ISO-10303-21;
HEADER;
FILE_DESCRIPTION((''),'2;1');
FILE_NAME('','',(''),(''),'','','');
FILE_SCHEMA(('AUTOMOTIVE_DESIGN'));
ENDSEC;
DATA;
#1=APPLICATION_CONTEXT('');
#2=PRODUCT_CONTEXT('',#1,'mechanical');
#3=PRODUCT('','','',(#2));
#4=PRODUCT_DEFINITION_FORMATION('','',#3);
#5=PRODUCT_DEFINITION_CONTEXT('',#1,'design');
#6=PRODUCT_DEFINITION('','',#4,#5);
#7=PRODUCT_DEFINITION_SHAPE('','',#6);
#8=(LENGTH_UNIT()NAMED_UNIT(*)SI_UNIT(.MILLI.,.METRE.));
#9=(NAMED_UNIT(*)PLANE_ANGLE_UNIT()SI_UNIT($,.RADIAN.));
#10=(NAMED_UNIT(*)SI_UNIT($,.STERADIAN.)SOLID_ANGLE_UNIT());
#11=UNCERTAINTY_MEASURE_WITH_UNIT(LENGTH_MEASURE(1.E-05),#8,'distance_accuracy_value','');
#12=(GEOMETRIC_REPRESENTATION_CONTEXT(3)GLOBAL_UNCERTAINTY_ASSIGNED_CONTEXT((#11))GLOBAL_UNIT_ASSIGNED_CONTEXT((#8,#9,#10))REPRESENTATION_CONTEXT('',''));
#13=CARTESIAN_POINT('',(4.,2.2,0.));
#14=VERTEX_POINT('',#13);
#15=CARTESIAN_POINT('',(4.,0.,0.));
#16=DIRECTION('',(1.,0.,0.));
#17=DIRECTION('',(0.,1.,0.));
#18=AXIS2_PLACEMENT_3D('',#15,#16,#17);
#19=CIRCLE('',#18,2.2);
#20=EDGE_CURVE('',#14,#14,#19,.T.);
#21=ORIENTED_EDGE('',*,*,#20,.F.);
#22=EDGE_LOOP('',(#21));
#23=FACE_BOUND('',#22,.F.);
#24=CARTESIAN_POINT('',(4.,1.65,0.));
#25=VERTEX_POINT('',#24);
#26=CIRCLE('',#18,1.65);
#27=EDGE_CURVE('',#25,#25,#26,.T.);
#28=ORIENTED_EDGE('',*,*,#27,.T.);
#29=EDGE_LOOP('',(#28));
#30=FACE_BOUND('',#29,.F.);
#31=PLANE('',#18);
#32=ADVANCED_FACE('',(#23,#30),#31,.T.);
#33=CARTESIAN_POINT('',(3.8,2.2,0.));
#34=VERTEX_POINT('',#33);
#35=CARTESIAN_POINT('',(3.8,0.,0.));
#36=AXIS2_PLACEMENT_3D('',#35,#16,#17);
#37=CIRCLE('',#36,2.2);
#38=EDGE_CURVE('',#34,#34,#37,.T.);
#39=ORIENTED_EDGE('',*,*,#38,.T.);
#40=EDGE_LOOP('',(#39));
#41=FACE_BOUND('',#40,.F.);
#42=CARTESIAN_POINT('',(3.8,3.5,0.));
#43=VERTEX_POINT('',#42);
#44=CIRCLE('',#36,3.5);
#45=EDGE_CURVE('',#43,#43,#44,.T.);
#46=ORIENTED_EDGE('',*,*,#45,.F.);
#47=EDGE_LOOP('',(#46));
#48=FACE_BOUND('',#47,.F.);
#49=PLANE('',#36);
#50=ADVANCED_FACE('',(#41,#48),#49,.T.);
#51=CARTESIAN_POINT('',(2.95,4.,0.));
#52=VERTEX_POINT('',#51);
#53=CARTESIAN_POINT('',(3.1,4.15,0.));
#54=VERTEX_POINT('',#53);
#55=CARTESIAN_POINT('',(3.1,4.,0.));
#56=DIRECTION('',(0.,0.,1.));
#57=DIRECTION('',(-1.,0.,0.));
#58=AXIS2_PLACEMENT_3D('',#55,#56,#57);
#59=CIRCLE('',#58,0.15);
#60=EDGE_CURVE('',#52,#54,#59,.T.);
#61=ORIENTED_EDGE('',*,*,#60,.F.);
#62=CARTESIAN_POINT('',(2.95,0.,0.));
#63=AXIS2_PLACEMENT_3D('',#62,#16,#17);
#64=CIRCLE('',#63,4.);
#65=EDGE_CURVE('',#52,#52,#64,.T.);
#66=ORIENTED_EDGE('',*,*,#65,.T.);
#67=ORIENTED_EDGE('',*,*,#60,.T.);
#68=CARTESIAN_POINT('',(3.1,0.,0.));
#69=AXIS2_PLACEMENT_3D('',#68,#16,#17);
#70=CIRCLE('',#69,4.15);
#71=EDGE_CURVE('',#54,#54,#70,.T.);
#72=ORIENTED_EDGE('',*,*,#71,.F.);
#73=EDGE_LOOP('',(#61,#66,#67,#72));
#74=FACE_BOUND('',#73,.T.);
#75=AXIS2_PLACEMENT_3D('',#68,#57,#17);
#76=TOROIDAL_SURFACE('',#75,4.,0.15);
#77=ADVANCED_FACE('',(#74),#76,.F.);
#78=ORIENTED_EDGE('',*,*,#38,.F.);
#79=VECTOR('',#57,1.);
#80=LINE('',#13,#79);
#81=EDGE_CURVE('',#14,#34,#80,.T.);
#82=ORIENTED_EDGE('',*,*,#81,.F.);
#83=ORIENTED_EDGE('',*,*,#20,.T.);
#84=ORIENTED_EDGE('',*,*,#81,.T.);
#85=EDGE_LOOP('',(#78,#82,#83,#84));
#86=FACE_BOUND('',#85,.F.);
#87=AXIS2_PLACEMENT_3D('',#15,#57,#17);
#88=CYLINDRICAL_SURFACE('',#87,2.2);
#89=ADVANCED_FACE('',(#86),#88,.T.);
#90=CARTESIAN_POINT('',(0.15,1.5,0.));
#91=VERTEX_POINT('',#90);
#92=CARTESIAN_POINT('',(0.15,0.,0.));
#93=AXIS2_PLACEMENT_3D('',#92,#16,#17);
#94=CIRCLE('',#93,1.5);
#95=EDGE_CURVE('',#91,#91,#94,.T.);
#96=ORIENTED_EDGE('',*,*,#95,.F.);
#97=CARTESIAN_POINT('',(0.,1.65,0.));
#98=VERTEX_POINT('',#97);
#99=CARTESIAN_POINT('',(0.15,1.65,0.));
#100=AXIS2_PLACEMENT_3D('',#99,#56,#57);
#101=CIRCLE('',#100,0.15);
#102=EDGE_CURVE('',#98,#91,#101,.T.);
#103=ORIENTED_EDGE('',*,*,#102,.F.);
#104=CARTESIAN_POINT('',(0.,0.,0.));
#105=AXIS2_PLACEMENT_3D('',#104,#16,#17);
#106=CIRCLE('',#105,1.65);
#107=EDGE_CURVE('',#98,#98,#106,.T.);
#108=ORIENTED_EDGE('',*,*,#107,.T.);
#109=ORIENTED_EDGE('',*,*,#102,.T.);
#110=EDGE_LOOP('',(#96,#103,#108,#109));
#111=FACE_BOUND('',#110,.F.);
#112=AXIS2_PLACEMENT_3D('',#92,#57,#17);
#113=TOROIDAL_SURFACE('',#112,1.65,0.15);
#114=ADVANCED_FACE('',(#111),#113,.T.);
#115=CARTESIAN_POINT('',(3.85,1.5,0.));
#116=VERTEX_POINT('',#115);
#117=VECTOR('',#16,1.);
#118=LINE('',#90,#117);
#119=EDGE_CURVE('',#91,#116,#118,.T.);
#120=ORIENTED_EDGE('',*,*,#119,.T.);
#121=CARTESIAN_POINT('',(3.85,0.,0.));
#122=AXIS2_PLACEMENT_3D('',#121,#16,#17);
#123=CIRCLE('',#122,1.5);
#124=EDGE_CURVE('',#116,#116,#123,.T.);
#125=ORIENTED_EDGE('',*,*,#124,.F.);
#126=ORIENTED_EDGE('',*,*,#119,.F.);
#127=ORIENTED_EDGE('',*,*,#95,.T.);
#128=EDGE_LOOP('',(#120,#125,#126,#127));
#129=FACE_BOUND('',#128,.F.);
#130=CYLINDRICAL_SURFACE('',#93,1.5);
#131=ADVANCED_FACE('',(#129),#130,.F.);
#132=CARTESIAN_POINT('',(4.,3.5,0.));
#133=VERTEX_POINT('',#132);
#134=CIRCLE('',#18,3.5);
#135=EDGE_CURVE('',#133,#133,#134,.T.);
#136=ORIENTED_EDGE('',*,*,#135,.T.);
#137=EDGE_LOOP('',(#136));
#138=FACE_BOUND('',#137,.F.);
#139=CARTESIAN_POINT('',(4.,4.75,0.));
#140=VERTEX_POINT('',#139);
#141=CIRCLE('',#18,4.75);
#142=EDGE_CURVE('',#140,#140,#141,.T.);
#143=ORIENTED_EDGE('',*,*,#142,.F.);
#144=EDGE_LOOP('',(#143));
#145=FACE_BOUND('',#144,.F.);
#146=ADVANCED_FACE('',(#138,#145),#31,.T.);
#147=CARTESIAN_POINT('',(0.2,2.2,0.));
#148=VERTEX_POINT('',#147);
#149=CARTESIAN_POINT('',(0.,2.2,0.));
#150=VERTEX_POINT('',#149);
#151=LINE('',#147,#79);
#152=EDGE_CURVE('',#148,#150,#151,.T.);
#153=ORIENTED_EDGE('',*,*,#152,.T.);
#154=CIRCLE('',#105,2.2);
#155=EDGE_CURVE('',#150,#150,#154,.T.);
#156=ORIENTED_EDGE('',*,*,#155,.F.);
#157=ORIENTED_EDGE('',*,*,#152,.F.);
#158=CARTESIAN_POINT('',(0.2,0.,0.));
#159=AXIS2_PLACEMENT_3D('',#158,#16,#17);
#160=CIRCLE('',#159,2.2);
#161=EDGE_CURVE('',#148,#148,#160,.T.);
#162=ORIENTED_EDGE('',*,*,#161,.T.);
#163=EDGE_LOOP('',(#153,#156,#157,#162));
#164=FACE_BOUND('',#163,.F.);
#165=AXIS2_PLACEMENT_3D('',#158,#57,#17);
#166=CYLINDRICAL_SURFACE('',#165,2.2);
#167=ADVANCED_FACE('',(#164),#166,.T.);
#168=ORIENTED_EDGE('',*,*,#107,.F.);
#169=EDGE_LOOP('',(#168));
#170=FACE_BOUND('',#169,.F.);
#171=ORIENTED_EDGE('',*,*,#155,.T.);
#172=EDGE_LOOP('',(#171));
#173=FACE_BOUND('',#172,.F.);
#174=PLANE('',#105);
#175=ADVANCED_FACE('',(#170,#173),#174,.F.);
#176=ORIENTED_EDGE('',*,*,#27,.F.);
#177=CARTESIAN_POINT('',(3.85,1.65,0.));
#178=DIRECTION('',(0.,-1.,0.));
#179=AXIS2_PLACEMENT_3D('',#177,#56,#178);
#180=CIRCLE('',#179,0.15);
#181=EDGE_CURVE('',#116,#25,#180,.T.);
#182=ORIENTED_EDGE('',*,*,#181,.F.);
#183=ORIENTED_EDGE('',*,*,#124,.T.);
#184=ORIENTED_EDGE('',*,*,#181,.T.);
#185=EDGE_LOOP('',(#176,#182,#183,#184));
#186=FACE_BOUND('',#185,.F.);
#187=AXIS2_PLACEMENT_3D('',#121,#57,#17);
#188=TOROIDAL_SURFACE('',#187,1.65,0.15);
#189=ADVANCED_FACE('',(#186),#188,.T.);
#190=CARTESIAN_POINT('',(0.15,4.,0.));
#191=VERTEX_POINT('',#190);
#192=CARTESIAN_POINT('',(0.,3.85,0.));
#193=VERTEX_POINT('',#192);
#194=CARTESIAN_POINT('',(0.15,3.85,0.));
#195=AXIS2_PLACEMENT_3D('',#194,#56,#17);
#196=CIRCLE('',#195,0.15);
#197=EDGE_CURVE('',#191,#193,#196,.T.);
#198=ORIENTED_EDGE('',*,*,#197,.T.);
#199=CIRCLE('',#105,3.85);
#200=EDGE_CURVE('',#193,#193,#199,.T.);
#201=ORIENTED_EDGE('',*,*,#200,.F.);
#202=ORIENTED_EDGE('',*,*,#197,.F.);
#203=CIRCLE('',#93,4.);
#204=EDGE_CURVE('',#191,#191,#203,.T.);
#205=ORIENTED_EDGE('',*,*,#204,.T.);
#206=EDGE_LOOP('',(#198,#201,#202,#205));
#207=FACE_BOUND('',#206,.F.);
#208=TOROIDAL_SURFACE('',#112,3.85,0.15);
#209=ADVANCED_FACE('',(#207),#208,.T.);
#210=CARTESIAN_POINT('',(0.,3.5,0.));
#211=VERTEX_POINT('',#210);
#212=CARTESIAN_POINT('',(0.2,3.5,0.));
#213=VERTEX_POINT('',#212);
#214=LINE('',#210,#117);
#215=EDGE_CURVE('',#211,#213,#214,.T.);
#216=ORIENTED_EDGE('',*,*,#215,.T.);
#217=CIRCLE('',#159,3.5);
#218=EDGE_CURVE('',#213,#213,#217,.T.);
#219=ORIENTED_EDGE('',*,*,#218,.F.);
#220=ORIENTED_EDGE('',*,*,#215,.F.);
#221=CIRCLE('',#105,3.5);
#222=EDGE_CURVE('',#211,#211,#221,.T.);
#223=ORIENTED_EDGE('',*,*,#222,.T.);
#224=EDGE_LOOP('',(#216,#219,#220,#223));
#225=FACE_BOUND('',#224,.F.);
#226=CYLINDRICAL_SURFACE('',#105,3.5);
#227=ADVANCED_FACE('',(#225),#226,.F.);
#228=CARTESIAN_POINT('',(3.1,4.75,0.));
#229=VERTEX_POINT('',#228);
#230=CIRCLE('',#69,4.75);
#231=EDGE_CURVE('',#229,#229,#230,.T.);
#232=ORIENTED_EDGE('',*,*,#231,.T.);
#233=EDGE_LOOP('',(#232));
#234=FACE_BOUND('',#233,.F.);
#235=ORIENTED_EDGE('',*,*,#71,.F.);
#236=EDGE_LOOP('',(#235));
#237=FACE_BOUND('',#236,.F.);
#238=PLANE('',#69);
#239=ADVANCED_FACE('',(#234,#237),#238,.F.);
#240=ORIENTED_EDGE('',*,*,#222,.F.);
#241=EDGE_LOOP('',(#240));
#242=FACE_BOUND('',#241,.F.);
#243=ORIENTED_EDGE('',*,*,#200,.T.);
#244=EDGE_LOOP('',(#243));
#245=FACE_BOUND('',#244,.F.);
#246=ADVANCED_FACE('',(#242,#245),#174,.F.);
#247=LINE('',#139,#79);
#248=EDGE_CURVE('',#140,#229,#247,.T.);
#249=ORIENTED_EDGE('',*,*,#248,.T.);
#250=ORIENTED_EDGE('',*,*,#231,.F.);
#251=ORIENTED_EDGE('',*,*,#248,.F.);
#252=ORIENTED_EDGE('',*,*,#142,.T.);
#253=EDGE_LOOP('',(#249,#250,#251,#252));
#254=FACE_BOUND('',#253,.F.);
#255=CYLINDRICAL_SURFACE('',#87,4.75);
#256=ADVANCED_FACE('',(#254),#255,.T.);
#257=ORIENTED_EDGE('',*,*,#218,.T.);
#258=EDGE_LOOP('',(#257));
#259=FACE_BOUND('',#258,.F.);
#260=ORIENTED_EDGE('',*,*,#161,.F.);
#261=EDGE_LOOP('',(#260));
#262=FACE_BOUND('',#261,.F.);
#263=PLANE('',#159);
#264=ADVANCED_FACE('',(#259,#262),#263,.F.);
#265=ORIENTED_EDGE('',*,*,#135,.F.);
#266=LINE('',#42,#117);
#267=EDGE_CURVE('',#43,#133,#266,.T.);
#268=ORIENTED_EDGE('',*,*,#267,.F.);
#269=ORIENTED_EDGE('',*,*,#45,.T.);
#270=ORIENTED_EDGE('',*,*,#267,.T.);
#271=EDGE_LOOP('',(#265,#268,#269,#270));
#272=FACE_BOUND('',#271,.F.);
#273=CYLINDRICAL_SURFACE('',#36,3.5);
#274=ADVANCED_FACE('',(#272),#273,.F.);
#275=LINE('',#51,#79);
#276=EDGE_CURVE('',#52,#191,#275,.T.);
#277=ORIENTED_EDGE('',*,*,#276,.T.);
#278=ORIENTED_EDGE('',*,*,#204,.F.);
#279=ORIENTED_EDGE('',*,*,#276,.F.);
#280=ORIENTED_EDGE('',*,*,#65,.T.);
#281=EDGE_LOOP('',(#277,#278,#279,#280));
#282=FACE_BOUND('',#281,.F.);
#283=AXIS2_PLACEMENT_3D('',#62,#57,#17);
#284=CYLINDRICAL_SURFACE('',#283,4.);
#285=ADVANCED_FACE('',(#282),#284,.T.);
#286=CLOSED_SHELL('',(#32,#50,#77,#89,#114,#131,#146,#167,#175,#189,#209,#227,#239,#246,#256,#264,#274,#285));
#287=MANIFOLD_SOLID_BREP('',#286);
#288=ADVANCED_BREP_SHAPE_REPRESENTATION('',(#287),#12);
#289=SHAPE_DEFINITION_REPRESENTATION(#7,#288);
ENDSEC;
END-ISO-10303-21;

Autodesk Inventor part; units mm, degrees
sketch "Sketch_1" plane through (0, 0, 0) normal (0, 0, 1) x (1, 0, 0)
  line L0 (8, 0) -> (-8, 0)
  arc A0 (0, 1.65) -> (0.15, 1.5) centre (0.15, 1.65) ccw
  line L1 (0.15, 1.5) -> (3.85, 1.5)
  arc A1 (3.85, 1.5) -> (4, 1.65) centre (3.85, 1.65) ccw
  line L2 (4, 1.65) -> (4, 2.2)
  line L3 (4, 2.2) -> (3.8, 2.2)
  line L4 (3.8, 2.2) -> (3.8, 3.5)
  line L5 (3.8, 3.5) -> (4, 3.5)
  line L6 (4, 3.5) -> (4, 4.75)
  line L7 (4, 4.75) -> (3.1, 4.75)
  line L8 (3.1, 4.75) -> (3.1, 4.15)
  arc A2 (2.95, 4) -> (3.1, 4.15) centre (3.1, 4) ccw
  line L9 (2.95, 4) -> (0.15, 4)
  arc A3 (0.15, 4) -> (0, 3.85) centre (0.15, 3.85) ccw
  line L10 (0, 3.85) -> (0, 3.5)
  line L11 (0, 3.5) -> (0.2, 3.5)
  line L12 (0.2, 3.5) -> (0.2, 2.2)
  line L13 (0.2, 2.2) -> (0, 2.2)
  line L14 (0, 2.2) -> (0, 1.65)
revolve "Revolution1" add sketch "Sketch_1" angle 360 about axis through (8, 0, 0) along (1, 0, 0)
ref_plane "to_housing_XY" through (0, 0, 0) normal (1, 0, 0) x (0, 0, -1)
ref_plane "to_housing_YZ" through (0, 0, 0) normal (0, 0, -1) x (0, 1, 0)
ref_plane "to_housing_ZX" through (0, 0, 0) normal (0, 1, 0) x (1, 0, 0)
properties part number "FL693ZZ"
